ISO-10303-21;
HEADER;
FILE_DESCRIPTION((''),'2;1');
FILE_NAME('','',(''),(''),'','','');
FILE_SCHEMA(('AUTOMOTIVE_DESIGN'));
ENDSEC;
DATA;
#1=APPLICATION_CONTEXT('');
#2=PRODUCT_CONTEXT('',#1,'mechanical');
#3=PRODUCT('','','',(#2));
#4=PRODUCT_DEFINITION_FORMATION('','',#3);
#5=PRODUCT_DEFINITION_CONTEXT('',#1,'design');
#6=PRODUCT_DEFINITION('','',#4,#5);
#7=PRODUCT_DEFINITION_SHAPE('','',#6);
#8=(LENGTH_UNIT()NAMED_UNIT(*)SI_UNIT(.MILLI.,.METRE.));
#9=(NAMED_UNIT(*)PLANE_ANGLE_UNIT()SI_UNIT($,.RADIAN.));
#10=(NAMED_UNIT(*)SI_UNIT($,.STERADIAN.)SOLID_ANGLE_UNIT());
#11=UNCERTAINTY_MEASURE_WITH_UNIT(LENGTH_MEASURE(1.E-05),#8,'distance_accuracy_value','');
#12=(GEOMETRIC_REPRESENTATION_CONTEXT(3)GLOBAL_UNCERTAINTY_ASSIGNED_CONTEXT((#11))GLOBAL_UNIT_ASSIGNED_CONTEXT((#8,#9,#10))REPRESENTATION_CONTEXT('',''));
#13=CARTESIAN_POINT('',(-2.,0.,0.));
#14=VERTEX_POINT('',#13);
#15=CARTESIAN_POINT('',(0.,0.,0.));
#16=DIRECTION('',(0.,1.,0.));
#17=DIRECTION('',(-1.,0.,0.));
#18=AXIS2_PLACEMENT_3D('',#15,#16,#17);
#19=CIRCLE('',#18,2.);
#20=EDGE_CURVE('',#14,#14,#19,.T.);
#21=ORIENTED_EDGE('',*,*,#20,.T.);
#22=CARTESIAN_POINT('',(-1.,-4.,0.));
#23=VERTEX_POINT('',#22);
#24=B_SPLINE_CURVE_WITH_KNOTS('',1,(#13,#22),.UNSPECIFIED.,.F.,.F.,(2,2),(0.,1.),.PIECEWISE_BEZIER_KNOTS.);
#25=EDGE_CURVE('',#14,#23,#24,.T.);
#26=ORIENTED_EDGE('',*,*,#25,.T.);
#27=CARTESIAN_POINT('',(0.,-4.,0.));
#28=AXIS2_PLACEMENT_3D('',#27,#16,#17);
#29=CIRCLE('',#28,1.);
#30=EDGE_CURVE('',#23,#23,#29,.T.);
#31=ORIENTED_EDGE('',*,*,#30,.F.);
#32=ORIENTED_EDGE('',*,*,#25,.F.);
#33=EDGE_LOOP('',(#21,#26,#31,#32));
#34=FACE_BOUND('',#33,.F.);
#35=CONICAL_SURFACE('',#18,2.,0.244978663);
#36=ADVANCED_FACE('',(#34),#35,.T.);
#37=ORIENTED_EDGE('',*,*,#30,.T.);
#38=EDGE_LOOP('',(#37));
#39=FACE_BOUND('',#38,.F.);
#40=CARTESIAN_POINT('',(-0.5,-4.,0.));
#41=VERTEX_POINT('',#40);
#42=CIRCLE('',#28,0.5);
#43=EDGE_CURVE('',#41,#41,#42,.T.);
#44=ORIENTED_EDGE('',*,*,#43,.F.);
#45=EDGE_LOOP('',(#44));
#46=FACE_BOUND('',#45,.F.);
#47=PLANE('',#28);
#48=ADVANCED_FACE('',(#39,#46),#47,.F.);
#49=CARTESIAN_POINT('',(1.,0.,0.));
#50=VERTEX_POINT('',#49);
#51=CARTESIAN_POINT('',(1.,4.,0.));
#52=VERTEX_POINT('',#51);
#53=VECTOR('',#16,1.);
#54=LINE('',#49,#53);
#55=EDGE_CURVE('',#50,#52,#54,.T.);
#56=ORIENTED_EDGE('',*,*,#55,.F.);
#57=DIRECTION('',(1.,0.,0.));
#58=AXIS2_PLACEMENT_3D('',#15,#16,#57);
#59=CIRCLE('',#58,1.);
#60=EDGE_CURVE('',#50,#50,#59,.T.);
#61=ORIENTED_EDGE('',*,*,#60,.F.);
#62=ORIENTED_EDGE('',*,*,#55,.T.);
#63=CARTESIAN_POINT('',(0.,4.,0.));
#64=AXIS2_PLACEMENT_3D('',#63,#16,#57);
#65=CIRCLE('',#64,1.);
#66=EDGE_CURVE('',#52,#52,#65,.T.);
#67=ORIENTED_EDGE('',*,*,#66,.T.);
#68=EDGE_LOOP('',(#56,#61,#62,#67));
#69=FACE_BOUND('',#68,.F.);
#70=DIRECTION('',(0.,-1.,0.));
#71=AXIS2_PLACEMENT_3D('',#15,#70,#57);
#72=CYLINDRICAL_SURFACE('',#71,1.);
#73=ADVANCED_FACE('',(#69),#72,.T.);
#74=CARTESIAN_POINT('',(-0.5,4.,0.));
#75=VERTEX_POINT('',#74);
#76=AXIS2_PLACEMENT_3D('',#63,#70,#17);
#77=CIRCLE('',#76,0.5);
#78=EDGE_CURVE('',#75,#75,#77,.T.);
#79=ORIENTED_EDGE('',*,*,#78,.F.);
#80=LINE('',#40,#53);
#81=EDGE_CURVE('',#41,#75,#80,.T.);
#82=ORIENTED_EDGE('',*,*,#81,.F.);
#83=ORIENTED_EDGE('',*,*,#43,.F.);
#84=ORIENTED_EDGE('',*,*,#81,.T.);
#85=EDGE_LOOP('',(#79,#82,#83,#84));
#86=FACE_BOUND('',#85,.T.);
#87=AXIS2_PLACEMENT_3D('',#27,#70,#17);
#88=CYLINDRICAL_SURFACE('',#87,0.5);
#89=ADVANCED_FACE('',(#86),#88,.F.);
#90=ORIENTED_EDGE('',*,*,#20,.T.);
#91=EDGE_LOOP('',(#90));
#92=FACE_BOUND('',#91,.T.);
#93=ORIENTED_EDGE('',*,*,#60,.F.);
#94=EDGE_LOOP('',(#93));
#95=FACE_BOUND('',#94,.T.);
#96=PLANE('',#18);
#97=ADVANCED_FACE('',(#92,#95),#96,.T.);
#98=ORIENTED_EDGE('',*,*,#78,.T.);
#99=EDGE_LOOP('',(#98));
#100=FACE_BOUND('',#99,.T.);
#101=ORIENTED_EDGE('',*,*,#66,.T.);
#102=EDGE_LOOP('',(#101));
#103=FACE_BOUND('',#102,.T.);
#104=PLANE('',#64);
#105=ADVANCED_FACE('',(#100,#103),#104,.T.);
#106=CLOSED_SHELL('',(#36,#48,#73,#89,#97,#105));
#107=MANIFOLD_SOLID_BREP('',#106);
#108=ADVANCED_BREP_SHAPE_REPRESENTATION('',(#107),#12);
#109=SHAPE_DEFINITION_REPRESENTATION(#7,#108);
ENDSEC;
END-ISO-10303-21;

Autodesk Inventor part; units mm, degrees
ref_plane "YZ Plane" through (0, 0, 0) normal (1, 0, 0) x (0, 1, 0)
ref_plane "XY Plane" through (0, 0, 0) normal (0, 0, 1) x (1, 0, 0)
sketch "草图1" plane through (0, 0, 0) normal (0, 1, 0) x (-1, 0, 0)
  circle A0 centre (0, 0) radius 2
  dimension "d0" = 4
ref_plane "工作平面1" through (0, -4, 0) normal (0, 1, 0) x (-1, 0, 0)
sketch "草图2" plane through (0, -4, 0) normal (0, 1, 0) x (-1, 0, 0)
  circle A0 centre (0, 0) radius 1
  dimension "d2" = 2
loft "放样1" add profiles "草图1", "草图2"
sketch "草图3" plane through (0, 0, 0) normal (0, 1, 0) x (1, 0, 0)
  circle A0 centre (0, 0) radius 1
  dimension "d7" = 2
extrude "拉伸1" add sketch "草图3" along normal blind 4
sketch "草图4" plane through (0, -4, 0) normal (0, 1, 0) x (-1, 0, 0)
  circle A0 centre (0, 0) radius 0.5
  dimension "d10" = 1
extrude "拉伸2" cut sketch "草图4" along normal through all
properties part number "conver"
